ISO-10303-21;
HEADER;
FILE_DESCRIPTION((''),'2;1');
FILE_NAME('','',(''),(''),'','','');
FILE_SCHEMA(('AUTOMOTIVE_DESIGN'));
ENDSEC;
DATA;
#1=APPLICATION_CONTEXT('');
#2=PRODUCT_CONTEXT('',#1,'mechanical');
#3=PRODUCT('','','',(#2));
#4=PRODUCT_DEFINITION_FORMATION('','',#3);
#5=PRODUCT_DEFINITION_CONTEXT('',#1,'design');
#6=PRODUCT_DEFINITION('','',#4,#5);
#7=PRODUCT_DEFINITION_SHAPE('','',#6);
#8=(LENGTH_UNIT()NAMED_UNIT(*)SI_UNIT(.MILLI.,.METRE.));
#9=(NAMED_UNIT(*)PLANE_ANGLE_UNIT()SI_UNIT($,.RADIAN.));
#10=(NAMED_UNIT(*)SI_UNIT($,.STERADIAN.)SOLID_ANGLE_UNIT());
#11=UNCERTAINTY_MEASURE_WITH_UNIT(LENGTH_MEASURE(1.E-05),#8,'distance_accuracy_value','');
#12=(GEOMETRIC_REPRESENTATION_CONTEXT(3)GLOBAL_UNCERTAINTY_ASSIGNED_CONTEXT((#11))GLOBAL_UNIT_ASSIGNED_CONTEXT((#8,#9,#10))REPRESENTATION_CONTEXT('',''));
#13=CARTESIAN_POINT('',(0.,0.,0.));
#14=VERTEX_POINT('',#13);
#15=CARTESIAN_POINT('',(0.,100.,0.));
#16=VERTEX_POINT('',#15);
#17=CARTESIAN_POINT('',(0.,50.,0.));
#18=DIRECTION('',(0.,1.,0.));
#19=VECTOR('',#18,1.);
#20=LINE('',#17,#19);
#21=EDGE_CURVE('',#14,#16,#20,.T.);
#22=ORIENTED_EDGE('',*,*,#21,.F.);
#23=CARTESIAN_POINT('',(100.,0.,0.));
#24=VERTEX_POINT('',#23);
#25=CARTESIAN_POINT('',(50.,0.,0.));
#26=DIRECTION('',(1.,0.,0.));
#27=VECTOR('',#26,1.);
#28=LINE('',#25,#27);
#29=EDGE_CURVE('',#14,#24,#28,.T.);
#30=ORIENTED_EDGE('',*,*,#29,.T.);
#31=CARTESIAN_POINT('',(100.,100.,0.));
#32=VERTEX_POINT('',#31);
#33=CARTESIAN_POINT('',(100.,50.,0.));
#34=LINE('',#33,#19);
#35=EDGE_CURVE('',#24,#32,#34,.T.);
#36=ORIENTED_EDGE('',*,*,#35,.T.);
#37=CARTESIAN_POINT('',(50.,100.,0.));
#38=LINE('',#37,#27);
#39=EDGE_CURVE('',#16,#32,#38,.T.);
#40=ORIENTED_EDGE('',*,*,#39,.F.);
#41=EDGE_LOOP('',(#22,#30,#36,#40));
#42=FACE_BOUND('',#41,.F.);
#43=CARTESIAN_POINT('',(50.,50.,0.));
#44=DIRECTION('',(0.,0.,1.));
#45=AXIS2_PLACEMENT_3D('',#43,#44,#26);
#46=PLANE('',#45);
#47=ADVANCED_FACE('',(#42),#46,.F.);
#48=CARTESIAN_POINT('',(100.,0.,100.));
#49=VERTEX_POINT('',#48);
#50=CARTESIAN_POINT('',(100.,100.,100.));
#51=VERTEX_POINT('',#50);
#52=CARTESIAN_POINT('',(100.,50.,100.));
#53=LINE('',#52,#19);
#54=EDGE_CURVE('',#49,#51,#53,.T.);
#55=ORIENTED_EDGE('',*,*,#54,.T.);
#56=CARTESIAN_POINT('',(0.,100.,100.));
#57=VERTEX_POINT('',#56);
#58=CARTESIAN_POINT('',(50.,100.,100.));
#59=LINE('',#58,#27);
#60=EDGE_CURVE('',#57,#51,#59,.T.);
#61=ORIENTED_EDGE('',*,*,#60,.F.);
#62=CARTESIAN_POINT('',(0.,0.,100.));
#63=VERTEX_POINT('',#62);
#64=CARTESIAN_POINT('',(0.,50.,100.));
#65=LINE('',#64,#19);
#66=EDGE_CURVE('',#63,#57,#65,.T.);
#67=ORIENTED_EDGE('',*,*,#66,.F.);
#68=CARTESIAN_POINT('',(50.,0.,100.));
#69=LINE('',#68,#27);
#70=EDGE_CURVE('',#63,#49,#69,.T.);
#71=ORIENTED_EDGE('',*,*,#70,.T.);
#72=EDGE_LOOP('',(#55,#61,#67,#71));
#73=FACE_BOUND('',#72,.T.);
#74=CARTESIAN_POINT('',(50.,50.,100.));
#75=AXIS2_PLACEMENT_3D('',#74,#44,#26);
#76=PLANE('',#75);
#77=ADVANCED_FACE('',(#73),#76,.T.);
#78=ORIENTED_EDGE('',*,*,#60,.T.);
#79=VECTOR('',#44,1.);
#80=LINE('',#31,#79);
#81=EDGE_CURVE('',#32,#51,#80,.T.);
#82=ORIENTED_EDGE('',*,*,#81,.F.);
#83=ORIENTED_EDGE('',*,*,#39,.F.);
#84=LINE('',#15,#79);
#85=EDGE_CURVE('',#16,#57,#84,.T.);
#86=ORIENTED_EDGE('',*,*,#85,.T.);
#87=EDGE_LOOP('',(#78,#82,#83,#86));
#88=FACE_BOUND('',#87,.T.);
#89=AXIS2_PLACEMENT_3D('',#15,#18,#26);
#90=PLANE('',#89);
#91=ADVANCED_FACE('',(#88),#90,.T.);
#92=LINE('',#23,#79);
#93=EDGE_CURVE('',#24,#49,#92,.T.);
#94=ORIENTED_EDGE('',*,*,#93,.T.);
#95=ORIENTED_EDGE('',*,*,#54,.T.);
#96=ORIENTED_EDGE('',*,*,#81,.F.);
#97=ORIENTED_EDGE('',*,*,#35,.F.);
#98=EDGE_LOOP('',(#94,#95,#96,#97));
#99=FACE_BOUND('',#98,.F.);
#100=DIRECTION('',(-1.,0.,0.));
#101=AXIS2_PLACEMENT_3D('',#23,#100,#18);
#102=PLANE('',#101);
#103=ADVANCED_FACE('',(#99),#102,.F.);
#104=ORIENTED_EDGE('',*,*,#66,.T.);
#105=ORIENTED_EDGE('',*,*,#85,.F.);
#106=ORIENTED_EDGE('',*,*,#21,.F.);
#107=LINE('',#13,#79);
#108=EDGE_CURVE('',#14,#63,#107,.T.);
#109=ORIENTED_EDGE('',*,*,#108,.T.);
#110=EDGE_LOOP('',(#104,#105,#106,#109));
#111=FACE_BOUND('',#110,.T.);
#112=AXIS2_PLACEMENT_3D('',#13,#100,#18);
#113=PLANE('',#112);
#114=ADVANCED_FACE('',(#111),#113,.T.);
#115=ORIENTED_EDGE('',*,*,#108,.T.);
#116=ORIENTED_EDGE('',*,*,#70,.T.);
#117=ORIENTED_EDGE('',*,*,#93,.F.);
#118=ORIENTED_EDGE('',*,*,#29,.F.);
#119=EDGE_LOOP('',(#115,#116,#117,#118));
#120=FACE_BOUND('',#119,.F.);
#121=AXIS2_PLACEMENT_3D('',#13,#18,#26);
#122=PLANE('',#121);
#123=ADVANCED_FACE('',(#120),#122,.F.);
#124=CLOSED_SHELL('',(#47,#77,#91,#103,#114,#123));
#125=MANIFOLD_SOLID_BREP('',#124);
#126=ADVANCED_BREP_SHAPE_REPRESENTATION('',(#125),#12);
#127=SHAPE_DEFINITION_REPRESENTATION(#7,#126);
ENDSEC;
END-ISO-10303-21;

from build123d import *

# Parameters (mm, degrees)
SKIZZE1_W                       = 100
SKIZZE1_H                       = 100
AUFSATZ_LINEAR_AUSTRAGEN1_DEPTH = 100


with BuildPart() as part:
    # Skizze1 → Aufsatz-Linear austragen1 (new body)
    with BuildSketch(Plane.XY):
        with Locations((50, 50)):
            Rectangle(SKIZZE1_W, SKIZZE1_H)
    extrude(amount=AUFSATZ_LINEAR_AUSTRAGEN1_DEPTH)


solid = part.part
